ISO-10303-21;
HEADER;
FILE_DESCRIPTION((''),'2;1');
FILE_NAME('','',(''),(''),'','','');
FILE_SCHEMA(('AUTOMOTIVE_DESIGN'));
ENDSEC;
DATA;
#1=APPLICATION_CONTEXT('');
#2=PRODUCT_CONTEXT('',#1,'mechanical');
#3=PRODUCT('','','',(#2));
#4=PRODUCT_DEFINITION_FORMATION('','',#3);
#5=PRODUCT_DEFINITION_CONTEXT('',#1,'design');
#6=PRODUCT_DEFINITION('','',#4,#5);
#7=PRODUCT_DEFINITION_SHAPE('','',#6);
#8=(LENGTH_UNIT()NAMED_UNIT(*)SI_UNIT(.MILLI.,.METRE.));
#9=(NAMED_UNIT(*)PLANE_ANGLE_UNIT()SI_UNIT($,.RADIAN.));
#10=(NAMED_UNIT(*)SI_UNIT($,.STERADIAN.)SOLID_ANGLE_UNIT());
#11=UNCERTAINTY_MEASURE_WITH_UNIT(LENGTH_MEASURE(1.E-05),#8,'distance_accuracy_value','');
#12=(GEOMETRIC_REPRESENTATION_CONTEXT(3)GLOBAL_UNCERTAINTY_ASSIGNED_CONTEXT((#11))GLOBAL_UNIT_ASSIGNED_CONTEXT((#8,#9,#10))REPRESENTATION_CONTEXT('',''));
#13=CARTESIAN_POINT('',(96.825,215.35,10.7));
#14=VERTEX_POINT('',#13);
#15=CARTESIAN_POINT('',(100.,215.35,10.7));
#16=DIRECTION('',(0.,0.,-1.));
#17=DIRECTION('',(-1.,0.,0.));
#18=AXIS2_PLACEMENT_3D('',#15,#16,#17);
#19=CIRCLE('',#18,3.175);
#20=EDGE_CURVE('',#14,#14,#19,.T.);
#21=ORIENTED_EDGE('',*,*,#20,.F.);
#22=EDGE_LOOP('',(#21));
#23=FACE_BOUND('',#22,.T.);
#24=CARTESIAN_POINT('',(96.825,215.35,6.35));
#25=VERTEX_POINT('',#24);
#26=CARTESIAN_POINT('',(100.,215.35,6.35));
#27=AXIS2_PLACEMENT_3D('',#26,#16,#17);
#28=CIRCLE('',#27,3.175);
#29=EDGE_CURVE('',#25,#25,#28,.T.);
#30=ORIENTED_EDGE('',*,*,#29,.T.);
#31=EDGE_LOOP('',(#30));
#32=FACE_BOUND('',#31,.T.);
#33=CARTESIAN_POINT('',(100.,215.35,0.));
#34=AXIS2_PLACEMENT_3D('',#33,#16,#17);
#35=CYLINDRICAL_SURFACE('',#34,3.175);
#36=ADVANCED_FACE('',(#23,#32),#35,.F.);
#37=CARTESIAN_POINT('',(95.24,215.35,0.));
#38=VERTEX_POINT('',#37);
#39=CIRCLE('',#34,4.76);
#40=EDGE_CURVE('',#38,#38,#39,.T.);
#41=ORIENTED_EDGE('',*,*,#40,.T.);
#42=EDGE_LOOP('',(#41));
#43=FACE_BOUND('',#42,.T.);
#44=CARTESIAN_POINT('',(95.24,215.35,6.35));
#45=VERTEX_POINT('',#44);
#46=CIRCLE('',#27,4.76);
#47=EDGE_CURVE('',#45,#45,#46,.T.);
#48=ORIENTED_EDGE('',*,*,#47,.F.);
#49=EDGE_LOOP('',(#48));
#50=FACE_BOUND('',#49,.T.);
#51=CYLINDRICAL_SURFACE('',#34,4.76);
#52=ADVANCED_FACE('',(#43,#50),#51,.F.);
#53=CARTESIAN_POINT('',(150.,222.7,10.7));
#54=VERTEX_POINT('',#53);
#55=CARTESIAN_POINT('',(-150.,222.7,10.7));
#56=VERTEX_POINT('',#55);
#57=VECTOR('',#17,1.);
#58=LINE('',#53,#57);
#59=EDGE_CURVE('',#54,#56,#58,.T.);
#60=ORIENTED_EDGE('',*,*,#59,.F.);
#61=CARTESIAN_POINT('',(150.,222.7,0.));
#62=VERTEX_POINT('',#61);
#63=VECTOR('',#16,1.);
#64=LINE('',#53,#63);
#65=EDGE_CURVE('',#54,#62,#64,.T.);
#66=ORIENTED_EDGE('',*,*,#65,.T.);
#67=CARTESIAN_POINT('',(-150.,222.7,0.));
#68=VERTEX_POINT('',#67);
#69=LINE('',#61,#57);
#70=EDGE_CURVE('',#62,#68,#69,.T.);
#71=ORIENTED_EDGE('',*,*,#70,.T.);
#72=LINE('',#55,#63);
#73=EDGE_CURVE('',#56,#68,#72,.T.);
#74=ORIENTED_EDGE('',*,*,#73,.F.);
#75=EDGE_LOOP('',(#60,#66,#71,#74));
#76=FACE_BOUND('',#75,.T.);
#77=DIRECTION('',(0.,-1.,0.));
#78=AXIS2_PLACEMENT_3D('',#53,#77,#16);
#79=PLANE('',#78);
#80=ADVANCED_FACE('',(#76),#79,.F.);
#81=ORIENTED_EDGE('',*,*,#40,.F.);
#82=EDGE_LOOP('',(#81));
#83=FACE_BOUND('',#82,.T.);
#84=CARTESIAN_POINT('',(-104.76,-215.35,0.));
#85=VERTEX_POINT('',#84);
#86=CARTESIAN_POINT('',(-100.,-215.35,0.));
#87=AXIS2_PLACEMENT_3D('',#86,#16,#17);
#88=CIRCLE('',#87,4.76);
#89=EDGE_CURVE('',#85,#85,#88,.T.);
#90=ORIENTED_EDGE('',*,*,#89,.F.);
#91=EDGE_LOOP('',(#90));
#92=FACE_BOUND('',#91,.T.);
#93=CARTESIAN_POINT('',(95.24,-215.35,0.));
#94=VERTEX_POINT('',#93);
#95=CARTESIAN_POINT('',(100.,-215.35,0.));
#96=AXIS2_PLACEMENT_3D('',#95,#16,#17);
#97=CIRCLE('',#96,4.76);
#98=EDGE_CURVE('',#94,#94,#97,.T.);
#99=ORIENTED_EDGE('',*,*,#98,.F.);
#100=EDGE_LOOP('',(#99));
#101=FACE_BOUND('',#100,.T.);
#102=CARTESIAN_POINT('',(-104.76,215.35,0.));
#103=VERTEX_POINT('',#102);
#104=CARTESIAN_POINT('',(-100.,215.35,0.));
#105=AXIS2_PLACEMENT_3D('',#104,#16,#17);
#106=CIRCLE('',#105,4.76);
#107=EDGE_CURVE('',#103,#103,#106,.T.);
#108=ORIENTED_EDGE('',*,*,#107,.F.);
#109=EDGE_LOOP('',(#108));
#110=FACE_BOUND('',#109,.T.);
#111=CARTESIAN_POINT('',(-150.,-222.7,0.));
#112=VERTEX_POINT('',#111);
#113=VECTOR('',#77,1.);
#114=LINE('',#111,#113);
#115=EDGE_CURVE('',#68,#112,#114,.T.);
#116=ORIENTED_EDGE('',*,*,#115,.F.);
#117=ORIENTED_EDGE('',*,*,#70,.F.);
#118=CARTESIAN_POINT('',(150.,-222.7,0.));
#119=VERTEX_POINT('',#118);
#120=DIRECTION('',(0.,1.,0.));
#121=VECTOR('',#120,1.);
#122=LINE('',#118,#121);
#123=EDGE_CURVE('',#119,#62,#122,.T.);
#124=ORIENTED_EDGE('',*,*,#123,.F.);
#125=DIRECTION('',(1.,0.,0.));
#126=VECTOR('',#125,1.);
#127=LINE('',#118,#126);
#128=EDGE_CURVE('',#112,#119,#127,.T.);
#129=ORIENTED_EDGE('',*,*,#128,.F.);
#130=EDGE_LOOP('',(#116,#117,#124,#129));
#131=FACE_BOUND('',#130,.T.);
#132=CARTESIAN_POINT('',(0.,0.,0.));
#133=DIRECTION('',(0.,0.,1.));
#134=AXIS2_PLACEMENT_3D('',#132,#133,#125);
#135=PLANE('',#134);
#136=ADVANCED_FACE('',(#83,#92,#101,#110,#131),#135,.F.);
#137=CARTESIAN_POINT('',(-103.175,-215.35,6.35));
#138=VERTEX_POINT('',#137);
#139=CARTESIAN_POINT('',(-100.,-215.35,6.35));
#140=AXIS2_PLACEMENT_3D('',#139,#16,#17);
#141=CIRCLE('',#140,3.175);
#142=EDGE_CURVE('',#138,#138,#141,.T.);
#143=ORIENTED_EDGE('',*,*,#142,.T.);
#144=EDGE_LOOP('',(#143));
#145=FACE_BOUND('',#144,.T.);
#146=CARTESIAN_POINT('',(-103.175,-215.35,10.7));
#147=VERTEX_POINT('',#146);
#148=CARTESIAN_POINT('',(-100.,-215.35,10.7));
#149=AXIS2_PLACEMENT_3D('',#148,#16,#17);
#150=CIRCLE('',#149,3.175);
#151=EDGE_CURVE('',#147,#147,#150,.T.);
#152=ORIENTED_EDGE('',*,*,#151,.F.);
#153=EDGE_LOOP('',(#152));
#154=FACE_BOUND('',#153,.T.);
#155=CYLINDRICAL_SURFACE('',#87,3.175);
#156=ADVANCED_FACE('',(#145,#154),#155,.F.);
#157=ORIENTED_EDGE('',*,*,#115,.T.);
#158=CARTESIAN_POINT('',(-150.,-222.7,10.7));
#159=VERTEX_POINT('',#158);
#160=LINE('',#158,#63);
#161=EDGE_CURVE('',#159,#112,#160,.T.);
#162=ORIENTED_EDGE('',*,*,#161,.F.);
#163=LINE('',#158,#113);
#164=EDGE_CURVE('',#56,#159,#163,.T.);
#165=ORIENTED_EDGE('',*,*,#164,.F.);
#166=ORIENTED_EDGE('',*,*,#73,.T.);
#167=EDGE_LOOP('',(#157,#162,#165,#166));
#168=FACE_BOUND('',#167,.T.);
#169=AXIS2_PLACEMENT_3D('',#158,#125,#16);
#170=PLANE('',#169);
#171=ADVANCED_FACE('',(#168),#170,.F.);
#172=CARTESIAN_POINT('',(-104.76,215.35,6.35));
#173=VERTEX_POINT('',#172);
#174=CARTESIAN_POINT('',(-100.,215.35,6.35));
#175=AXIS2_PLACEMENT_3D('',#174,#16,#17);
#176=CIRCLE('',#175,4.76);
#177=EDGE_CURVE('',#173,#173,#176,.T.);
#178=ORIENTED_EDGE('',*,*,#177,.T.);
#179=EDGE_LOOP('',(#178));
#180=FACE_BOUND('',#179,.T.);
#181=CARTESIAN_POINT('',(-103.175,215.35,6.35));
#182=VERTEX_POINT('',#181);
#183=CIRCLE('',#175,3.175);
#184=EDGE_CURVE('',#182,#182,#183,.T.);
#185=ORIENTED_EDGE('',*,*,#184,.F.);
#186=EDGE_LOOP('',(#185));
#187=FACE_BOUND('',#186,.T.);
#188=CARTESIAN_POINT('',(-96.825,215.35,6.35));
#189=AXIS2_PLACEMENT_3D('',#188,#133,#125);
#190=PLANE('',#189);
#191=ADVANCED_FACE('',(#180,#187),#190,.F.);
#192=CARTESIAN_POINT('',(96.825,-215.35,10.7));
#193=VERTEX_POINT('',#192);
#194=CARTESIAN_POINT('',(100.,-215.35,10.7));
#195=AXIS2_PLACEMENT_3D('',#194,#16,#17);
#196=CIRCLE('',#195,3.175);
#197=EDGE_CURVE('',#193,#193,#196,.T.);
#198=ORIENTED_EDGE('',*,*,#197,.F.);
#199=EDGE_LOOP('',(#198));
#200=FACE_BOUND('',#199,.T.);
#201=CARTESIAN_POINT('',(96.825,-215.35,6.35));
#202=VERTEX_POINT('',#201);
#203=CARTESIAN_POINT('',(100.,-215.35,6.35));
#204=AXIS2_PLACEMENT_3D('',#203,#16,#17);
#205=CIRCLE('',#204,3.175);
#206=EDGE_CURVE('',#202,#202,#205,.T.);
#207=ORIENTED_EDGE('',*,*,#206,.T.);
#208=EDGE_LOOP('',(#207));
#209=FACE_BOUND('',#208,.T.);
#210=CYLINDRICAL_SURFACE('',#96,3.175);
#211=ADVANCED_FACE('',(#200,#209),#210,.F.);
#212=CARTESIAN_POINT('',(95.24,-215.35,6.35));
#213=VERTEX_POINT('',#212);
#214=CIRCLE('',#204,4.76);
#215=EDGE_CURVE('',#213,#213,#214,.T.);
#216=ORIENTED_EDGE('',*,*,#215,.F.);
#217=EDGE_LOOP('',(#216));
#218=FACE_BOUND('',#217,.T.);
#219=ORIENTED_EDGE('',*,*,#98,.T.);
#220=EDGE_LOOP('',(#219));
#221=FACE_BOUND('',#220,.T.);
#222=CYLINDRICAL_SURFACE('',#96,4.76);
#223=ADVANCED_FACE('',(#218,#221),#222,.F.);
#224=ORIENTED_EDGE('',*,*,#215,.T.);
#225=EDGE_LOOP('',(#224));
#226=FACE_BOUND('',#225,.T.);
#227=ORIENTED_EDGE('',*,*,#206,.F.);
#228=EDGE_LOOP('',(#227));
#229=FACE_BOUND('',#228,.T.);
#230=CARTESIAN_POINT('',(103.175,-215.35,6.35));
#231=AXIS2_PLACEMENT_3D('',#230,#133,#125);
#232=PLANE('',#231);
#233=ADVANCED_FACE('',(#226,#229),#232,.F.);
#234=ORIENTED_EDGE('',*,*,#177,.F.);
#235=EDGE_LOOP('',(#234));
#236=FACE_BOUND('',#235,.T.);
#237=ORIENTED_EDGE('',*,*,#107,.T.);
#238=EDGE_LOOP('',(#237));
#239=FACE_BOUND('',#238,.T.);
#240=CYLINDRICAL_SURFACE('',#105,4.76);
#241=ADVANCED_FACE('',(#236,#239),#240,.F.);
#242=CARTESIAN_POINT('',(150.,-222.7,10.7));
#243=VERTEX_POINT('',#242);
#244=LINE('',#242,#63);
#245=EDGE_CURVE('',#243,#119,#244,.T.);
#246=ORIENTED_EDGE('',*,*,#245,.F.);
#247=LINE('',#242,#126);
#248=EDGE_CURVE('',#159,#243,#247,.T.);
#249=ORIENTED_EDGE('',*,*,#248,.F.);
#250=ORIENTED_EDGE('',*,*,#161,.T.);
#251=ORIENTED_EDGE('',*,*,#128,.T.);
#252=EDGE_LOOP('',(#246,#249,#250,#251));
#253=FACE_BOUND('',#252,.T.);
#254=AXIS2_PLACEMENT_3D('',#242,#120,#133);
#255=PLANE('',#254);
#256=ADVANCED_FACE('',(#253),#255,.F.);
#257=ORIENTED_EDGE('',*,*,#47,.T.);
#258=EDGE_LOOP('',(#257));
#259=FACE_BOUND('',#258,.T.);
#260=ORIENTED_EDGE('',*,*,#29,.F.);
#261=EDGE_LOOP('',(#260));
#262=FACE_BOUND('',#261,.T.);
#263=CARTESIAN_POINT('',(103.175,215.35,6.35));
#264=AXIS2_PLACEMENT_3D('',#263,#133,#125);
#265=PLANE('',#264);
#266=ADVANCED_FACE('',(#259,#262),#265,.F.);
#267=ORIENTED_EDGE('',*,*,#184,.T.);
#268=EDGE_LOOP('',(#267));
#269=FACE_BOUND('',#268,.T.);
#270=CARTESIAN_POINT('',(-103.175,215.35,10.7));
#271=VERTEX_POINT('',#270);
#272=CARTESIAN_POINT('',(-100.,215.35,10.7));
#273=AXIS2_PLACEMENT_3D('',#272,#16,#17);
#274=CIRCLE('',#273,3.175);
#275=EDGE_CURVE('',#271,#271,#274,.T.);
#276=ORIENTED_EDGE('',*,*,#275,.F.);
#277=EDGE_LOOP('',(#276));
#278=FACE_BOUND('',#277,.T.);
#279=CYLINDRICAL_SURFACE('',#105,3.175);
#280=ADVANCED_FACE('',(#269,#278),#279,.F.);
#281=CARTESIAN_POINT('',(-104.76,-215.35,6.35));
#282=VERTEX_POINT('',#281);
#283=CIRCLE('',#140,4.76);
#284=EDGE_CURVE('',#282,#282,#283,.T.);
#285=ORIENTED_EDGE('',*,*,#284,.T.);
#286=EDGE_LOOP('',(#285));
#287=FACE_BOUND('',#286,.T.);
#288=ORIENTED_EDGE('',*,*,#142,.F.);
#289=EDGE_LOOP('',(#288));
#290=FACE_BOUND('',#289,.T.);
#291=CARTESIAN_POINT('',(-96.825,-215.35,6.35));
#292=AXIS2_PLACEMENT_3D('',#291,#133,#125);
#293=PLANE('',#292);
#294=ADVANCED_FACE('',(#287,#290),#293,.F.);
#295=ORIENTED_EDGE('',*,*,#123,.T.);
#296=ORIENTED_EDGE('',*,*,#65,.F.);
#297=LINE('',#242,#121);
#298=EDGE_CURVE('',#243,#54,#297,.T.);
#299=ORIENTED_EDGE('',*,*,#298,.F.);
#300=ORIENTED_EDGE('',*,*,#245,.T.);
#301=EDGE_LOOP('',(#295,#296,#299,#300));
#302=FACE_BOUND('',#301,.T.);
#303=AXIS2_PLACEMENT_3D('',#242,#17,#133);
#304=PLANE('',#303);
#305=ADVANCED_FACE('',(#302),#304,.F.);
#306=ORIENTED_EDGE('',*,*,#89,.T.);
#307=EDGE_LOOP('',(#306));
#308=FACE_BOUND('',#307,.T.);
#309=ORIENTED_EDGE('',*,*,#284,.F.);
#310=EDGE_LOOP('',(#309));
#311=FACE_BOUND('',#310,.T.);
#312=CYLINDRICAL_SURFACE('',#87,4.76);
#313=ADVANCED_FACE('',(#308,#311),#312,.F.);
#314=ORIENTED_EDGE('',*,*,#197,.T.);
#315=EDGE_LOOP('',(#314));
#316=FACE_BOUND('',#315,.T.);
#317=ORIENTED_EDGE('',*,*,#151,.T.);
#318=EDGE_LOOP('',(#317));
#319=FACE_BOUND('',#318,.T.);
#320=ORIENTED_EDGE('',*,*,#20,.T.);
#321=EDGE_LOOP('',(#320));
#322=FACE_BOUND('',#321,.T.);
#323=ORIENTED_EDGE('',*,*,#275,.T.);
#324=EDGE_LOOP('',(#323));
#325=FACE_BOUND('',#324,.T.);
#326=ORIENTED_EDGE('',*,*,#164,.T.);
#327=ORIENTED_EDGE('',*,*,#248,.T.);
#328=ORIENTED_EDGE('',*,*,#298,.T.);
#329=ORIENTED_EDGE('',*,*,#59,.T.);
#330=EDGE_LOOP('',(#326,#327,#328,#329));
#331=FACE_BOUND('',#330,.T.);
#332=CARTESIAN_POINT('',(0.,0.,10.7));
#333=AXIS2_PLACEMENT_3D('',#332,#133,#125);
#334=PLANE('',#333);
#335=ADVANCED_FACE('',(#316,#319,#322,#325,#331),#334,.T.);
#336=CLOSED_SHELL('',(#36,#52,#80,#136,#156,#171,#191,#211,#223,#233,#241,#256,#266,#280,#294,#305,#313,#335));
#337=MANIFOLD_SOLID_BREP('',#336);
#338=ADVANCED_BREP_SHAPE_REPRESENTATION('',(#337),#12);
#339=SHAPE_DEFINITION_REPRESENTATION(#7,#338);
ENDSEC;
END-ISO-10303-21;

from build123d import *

# Parameters (mm, degrees)
ESBO_O1_W                = 300
ESBO_O1_H                = 445.4
RESSALTO_EXTRUS_O1_DEPTH = 10.7
FURO1_D                  = 6.35
FURO1_CBORE_D            = 9.52
FURO1_CBORE_DEPTH        = 6.35


with BuildPart() as part:
    # Esboço1 → Ressalto-extrusão1 (new body)
    with BuildSketch(Plane.XY):
        Rectangle(ESBO_O1_W, ESBO_O1_H)
    extrude(amount=RESSALTO_EXTRUS_O1_DEPTH)

    # Furo1 (through all)
    with Locations(Plane(origin=(0, 0, 0), x_dir=(-1, 0, 0), z_dir=(0, 0, -1))):
        with Locations((-100, 215.35), (-100, -215.35), (100, -215.35), (100, 215.35)):
            CounterBoreHole(FURO1_D / 2, FURO1_CBORE_D / 2, FURO1_CBORE_DEPTH)


solid = part.part
